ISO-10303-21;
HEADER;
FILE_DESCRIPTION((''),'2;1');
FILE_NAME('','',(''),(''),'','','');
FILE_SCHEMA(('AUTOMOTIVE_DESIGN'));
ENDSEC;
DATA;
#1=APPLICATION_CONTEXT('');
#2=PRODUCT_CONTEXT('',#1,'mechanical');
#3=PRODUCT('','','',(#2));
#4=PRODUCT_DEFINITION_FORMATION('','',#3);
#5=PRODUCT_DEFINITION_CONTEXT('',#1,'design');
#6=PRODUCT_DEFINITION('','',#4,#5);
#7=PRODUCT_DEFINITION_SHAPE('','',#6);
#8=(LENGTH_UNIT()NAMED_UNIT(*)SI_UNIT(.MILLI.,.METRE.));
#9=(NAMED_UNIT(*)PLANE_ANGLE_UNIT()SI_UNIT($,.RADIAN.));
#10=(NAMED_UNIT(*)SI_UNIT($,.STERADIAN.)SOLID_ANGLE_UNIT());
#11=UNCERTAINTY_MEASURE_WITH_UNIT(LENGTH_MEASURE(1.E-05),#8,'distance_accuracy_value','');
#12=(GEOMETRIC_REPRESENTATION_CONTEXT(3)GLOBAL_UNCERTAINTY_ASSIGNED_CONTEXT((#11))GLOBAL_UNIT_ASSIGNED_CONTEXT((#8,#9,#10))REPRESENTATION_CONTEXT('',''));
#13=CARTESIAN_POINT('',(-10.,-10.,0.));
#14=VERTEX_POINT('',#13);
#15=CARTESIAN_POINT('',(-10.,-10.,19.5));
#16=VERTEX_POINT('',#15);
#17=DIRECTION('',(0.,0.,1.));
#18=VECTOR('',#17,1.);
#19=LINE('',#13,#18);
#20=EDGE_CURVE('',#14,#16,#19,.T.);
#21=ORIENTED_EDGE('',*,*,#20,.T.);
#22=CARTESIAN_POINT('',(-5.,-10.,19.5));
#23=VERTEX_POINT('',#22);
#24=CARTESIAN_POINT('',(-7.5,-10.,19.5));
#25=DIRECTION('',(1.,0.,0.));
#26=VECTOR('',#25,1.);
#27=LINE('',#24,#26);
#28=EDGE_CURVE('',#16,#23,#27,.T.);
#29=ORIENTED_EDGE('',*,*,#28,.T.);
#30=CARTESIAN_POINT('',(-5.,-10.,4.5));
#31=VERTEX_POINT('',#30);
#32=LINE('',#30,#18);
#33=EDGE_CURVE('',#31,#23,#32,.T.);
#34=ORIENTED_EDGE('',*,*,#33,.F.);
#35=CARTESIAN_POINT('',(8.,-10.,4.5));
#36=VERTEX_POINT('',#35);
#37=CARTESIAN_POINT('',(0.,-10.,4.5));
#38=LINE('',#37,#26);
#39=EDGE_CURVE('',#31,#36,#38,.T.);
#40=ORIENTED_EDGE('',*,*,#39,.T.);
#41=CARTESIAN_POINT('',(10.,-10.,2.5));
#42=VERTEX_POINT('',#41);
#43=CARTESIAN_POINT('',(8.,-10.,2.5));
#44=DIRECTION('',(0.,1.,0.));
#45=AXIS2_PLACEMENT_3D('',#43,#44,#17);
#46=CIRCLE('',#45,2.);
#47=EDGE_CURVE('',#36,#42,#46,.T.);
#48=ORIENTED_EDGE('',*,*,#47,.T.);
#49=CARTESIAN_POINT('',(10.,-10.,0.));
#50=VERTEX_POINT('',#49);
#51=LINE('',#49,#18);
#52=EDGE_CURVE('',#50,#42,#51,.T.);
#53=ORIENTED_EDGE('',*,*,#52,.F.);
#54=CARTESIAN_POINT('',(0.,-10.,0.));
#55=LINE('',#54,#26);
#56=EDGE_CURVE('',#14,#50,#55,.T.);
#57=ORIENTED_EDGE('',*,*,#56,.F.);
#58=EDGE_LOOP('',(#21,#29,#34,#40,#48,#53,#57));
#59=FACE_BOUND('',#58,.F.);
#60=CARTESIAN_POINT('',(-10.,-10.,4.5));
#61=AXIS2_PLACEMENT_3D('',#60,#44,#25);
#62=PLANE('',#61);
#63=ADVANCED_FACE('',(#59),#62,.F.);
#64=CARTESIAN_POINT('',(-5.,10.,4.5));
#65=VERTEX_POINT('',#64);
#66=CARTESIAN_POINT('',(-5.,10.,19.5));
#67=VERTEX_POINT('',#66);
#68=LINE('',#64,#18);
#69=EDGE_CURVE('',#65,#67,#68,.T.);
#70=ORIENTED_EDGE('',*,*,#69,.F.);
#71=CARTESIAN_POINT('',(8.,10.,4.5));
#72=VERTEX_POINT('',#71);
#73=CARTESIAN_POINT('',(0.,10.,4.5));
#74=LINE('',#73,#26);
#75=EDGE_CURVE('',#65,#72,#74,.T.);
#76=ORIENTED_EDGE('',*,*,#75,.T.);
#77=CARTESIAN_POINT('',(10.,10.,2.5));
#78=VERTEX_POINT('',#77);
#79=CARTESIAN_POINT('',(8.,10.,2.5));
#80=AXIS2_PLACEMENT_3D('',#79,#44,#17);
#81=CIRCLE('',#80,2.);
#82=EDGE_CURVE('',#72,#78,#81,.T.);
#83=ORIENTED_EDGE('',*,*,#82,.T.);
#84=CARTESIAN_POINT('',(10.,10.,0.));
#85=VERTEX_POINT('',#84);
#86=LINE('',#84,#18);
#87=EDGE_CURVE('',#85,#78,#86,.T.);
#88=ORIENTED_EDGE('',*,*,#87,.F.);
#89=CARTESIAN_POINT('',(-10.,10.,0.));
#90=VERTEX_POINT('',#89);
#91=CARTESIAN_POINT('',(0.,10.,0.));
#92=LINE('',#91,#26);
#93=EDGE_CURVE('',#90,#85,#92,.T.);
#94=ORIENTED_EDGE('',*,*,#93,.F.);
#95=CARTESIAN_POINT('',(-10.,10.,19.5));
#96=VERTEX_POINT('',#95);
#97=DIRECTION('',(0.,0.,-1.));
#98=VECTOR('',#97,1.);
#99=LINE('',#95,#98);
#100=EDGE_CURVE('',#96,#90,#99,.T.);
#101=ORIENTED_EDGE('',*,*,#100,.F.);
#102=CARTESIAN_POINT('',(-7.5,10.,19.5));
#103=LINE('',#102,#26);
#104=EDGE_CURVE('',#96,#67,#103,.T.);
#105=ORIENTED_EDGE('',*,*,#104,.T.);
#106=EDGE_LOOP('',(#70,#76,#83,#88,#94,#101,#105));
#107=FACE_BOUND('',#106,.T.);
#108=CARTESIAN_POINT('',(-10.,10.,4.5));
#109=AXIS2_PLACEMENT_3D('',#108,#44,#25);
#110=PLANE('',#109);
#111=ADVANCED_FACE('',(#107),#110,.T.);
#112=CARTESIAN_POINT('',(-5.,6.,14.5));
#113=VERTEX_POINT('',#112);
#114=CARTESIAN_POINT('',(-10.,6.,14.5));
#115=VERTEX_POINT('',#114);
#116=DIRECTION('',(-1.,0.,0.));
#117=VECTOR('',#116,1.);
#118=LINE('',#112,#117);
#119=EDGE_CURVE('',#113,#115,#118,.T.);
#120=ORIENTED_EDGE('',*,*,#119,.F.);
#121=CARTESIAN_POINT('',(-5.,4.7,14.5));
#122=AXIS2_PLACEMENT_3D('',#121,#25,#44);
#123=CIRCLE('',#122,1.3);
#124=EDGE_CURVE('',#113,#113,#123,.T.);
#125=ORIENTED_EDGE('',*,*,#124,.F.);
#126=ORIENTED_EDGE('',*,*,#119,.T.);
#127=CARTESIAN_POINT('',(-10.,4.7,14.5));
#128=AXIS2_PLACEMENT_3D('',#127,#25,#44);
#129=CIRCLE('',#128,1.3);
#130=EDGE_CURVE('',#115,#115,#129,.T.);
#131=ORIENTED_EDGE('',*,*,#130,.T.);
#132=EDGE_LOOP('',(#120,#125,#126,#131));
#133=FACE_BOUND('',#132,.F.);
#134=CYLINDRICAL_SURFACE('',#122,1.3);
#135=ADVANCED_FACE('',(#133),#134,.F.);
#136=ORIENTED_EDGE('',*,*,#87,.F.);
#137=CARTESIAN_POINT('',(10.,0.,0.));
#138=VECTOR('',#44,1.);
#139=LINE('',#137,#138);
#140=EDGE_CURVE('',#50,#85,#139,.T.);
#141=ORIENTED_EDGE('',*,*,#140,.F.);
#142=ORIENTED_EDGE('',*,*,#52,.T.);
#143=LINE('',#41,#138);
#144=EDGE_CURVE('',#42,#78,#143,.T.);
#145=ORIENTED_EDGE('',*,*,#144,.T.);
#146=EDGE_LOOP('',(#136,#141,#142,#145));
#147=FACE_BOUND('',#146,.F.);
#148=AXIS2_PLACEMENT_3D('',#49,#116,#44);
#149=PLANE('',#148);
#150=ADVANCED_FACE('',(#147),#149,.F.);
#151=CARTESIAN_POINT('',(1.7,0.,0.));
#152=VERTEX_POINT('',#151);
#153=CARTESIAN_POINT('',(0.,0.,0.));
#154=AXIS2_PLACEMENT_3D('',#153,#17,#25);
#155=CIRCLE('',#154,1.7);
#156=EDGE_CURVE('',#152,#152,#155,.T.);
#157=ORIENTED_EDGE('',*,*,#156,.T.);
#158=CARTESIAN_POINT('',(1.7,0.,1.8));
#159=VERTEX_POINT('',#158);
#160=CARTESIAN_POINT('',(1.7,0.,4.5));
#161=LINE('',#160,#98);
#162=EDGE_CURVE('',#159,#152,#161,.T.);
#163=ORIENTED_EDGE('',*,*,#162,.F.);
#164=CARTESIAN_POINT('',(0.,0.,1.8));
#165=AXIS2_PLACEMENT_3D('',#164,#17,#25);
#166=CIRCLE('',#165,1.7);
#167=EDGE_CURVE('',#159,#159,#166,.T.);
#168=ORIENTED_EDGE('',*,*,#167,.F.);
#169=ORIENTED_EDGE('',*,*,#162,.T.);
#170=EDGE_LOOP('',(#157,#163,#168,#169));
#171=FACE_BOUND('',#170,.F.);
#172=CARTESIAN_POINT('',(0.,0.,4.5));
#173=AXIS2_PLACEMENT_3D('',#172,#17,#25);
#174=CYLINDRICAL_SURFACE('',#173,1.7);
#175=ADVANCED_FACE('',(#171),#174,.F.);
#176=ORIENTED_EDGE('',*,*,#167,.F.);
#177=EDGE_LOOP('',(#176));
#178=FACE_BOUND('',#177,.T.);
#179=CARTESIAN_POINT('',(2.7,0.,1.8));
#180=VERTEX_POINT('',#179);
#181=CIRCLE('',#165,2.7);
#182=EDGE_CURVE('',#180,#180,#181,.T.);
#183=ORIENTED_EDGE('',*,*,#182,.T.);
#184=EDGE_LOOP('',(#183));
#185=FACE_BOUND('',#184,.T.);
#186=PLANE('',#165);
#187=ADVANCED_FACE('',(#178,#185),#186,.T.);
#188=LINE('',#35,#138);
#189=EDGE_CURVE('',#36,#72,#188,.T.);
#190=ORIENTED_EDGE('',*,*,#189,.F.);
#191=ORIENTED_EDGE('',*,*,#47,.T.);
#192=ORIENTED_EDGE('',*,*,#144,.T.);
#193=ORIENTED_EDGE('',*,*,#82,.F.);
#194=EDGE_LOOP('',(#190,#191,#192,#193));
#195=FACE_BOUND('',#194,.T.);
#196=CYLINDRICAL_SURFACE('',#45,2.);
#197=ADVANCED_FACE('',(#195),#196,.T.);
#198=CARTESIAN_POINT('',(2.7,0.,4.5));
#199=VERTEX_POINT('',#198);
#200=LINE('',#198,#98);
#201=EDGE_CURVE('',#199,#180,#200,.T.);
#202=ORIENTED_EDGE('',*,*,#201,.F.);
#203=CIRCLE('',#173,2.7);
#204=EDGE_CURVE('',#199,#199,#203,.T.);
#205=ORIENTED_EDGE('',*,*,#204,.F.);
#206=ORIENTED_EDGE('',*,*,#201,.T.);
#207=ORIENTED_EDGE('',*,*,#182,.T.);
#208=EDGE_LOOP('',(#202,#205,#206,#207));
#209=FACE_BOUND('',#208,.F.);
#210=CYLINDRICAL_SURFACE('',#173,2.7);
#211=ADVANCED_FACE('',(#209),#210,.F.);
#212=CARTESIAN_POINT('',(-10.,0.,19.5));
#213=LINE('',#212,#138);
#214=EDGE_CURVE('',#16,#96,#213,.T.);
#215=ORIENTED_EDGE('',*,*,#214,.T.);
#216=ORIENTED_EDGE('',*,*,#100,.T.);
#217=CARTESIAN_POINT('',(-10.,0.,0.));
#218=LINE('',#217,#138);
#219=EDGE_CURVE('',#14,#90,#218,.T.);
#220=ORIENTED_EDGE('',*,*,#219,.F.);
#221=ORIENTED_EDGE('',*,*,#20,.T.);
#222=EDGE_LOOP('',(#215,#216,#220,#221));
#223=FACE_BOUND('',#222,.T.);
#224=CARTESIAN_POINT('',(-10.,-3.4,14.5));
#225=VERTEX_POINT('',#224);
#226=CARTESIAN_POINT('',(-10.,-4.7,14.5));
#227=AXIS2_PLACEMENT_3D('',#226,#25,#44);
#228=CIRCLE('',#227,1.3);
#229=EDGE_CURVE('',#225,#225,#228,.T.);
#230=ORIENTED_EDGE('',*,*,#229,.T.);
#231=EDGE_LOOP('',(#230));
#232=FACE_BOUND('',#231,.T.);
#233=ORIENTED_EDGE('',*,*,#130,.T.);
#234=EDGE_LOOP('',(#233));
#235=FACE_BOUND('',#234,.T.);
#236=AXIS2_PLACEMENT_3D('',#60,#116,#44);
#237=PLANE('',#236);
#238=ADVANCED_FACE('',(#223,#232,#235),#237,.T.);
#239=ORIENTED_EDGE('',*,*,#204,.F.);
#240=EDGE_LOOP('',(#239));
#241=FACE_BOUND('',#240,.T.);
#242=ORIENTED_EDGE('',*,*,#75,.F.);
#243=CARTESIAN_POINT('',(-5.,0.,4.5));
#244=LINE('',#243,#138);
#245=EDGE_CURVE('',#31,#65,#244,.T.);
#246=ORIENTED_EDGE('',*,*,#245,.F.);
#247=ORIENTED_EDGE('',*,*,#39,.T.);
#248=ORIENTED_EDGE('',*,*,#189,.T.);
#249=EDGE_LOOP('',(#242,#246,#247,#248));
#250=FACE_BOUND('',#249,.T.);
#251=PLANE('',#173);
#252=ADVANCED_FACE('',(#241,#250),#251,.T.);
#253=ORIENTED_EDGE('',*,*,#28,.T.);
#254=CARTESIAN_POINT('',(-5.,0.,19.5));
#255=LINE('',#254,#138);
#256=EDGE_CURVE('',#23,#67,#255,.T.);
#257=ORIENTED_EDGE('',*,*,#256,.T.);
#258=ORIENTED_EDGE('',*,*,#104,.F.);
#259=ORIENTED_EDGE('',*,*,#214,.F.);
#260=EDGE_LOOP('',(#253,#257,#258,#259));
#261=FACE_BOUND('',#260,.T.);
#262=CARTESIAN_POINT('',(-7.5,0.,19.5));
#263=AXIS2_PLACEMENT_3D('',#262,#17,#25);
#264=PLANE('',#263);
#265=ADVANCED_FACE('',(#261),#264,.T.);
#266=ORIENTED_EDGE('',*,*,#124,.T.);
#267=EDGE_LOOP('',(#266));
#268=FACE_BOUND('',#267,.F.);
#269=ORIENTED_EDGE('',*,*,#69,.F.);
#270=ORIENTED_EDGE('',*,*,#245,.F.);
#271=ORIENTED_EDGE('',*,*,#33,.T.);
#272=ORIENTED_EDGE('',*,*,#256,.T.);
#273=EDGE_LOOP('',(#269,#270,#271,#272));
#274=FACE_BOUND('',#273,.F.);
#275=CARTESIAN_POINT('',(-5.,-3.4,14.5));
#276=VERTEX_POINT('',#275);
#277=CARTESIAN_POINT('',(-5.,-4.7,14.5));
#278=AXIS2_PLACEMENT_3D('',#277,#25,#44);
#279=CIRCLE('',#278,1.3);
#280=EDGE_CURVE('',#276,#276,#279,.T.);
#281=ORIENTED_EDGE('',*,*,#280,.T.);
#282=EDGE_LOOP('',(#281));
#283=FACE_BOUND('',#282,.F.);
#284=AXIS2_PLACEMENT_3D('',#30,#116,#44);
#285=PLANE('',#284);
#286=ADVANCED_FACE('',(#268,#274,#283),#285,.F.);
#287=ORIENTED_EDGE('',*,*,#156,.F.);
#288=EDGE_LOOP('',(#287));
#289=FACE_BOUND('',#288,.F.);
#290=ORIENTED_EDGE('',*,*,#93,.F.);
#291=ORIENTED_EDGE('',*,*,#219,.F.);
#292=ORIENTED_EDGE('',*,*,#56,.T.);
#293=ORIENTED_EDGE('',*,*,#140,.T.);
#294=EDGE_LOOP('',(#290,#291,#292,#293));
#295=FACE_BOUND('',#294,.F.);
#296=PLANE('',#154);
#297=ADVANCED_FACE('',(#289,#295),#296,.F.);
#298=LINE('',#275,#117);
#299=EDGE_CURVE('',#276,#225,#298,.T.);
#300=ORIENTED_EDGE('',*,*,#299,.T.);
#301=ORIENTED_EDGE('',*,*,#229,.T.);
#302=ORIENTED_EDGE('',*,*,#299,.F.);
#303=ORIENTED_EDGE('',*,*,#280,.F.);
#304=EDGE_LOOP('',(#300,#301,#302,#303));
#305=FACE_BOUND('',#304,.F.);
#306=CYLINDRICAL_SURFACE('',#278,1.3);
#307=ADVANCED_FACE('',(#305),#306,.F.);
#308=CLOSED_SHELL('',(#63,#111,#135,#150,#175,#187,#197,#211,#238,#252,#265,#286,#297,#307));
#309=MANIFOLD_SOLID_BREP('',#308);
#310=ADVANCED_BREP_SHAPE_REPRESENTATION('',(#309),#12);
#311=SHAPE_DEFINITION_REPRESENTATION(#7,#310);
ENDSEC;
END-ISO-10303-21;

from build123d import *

# Parameters (mm, degrees)
SKETCH_W        = 20
SKETCH_H        = 20
PAD_DEPTH       = 4.5
SKETCH001_R     = 1.7
POCKET_DEPTH    = 5
SKETCH002_R     = 2.7
POCKET001_DEPTH = 2.7
SKETCH003_W     = 5
SKETCH003_H     = 20
PAD001_DEPTH    = 15
SKETCH004_R     = 1.3
POCKET002_DEPTH = 5
FILLET_R        = 2


with BuildPart() as part:
    # Sketch → Pad (new body)
    with BuildSketch(Plane.XY):
        Rectangle(SKETCH_W, SKETCH_H)
    extrude(amount=PAD_DEPTH)

    # Sketch001 (on Face6 of Pad) → Pocket (cut)
    with BuildSketch(Plane.XY.offset(4.5)):
        Circle(SKETCH001_R)
    extrude(amount=-POCKET_DEPTH, mode=Mode.SUBTRACT)

    # Sketch002 (on Face5 of Pocket) → Pocket001 (cut)
    with BuildSketch(Plane.XY.offset(4.5)):
        Circle(SKETCH002_R)
    extrude(amount=-POCKET001_DEPTH, mode=Mode.SUBTRACT)

    # Sketch003 (on Face5 of Pocket001) → Pad001 (join)
    with BuildSketch(Plane.XY.offset(4.5)):
        with Locations((-7.5, 0)):
            Rectangle(SKETCH003_W, SKETCH003_H)
    extrude(amount=PAD001_DEPTH)

    # Sketch004 (on Face10 of Pad001) → Pocket002 (cut)
    with BuildSketch(Plane.YZ.offset(-5)):
        with Locations((-4.7, 14.5)):
            Circle(SKETCH004_R)
        with Locations((4.7, 14.5)):
            Circle(SKETCH004_R)
    extrude(amount=-POCKET002_DEPTH, mode=Mode.SUBTRACT)

    # Fillet
    fillet_edges = [part.edges().sort_by_distance(p)[0] for p in [
        (10, 0, 4.5),
    ]]
    fillet(fillet_edges, radius=FILLET_R)


solid = part.part
